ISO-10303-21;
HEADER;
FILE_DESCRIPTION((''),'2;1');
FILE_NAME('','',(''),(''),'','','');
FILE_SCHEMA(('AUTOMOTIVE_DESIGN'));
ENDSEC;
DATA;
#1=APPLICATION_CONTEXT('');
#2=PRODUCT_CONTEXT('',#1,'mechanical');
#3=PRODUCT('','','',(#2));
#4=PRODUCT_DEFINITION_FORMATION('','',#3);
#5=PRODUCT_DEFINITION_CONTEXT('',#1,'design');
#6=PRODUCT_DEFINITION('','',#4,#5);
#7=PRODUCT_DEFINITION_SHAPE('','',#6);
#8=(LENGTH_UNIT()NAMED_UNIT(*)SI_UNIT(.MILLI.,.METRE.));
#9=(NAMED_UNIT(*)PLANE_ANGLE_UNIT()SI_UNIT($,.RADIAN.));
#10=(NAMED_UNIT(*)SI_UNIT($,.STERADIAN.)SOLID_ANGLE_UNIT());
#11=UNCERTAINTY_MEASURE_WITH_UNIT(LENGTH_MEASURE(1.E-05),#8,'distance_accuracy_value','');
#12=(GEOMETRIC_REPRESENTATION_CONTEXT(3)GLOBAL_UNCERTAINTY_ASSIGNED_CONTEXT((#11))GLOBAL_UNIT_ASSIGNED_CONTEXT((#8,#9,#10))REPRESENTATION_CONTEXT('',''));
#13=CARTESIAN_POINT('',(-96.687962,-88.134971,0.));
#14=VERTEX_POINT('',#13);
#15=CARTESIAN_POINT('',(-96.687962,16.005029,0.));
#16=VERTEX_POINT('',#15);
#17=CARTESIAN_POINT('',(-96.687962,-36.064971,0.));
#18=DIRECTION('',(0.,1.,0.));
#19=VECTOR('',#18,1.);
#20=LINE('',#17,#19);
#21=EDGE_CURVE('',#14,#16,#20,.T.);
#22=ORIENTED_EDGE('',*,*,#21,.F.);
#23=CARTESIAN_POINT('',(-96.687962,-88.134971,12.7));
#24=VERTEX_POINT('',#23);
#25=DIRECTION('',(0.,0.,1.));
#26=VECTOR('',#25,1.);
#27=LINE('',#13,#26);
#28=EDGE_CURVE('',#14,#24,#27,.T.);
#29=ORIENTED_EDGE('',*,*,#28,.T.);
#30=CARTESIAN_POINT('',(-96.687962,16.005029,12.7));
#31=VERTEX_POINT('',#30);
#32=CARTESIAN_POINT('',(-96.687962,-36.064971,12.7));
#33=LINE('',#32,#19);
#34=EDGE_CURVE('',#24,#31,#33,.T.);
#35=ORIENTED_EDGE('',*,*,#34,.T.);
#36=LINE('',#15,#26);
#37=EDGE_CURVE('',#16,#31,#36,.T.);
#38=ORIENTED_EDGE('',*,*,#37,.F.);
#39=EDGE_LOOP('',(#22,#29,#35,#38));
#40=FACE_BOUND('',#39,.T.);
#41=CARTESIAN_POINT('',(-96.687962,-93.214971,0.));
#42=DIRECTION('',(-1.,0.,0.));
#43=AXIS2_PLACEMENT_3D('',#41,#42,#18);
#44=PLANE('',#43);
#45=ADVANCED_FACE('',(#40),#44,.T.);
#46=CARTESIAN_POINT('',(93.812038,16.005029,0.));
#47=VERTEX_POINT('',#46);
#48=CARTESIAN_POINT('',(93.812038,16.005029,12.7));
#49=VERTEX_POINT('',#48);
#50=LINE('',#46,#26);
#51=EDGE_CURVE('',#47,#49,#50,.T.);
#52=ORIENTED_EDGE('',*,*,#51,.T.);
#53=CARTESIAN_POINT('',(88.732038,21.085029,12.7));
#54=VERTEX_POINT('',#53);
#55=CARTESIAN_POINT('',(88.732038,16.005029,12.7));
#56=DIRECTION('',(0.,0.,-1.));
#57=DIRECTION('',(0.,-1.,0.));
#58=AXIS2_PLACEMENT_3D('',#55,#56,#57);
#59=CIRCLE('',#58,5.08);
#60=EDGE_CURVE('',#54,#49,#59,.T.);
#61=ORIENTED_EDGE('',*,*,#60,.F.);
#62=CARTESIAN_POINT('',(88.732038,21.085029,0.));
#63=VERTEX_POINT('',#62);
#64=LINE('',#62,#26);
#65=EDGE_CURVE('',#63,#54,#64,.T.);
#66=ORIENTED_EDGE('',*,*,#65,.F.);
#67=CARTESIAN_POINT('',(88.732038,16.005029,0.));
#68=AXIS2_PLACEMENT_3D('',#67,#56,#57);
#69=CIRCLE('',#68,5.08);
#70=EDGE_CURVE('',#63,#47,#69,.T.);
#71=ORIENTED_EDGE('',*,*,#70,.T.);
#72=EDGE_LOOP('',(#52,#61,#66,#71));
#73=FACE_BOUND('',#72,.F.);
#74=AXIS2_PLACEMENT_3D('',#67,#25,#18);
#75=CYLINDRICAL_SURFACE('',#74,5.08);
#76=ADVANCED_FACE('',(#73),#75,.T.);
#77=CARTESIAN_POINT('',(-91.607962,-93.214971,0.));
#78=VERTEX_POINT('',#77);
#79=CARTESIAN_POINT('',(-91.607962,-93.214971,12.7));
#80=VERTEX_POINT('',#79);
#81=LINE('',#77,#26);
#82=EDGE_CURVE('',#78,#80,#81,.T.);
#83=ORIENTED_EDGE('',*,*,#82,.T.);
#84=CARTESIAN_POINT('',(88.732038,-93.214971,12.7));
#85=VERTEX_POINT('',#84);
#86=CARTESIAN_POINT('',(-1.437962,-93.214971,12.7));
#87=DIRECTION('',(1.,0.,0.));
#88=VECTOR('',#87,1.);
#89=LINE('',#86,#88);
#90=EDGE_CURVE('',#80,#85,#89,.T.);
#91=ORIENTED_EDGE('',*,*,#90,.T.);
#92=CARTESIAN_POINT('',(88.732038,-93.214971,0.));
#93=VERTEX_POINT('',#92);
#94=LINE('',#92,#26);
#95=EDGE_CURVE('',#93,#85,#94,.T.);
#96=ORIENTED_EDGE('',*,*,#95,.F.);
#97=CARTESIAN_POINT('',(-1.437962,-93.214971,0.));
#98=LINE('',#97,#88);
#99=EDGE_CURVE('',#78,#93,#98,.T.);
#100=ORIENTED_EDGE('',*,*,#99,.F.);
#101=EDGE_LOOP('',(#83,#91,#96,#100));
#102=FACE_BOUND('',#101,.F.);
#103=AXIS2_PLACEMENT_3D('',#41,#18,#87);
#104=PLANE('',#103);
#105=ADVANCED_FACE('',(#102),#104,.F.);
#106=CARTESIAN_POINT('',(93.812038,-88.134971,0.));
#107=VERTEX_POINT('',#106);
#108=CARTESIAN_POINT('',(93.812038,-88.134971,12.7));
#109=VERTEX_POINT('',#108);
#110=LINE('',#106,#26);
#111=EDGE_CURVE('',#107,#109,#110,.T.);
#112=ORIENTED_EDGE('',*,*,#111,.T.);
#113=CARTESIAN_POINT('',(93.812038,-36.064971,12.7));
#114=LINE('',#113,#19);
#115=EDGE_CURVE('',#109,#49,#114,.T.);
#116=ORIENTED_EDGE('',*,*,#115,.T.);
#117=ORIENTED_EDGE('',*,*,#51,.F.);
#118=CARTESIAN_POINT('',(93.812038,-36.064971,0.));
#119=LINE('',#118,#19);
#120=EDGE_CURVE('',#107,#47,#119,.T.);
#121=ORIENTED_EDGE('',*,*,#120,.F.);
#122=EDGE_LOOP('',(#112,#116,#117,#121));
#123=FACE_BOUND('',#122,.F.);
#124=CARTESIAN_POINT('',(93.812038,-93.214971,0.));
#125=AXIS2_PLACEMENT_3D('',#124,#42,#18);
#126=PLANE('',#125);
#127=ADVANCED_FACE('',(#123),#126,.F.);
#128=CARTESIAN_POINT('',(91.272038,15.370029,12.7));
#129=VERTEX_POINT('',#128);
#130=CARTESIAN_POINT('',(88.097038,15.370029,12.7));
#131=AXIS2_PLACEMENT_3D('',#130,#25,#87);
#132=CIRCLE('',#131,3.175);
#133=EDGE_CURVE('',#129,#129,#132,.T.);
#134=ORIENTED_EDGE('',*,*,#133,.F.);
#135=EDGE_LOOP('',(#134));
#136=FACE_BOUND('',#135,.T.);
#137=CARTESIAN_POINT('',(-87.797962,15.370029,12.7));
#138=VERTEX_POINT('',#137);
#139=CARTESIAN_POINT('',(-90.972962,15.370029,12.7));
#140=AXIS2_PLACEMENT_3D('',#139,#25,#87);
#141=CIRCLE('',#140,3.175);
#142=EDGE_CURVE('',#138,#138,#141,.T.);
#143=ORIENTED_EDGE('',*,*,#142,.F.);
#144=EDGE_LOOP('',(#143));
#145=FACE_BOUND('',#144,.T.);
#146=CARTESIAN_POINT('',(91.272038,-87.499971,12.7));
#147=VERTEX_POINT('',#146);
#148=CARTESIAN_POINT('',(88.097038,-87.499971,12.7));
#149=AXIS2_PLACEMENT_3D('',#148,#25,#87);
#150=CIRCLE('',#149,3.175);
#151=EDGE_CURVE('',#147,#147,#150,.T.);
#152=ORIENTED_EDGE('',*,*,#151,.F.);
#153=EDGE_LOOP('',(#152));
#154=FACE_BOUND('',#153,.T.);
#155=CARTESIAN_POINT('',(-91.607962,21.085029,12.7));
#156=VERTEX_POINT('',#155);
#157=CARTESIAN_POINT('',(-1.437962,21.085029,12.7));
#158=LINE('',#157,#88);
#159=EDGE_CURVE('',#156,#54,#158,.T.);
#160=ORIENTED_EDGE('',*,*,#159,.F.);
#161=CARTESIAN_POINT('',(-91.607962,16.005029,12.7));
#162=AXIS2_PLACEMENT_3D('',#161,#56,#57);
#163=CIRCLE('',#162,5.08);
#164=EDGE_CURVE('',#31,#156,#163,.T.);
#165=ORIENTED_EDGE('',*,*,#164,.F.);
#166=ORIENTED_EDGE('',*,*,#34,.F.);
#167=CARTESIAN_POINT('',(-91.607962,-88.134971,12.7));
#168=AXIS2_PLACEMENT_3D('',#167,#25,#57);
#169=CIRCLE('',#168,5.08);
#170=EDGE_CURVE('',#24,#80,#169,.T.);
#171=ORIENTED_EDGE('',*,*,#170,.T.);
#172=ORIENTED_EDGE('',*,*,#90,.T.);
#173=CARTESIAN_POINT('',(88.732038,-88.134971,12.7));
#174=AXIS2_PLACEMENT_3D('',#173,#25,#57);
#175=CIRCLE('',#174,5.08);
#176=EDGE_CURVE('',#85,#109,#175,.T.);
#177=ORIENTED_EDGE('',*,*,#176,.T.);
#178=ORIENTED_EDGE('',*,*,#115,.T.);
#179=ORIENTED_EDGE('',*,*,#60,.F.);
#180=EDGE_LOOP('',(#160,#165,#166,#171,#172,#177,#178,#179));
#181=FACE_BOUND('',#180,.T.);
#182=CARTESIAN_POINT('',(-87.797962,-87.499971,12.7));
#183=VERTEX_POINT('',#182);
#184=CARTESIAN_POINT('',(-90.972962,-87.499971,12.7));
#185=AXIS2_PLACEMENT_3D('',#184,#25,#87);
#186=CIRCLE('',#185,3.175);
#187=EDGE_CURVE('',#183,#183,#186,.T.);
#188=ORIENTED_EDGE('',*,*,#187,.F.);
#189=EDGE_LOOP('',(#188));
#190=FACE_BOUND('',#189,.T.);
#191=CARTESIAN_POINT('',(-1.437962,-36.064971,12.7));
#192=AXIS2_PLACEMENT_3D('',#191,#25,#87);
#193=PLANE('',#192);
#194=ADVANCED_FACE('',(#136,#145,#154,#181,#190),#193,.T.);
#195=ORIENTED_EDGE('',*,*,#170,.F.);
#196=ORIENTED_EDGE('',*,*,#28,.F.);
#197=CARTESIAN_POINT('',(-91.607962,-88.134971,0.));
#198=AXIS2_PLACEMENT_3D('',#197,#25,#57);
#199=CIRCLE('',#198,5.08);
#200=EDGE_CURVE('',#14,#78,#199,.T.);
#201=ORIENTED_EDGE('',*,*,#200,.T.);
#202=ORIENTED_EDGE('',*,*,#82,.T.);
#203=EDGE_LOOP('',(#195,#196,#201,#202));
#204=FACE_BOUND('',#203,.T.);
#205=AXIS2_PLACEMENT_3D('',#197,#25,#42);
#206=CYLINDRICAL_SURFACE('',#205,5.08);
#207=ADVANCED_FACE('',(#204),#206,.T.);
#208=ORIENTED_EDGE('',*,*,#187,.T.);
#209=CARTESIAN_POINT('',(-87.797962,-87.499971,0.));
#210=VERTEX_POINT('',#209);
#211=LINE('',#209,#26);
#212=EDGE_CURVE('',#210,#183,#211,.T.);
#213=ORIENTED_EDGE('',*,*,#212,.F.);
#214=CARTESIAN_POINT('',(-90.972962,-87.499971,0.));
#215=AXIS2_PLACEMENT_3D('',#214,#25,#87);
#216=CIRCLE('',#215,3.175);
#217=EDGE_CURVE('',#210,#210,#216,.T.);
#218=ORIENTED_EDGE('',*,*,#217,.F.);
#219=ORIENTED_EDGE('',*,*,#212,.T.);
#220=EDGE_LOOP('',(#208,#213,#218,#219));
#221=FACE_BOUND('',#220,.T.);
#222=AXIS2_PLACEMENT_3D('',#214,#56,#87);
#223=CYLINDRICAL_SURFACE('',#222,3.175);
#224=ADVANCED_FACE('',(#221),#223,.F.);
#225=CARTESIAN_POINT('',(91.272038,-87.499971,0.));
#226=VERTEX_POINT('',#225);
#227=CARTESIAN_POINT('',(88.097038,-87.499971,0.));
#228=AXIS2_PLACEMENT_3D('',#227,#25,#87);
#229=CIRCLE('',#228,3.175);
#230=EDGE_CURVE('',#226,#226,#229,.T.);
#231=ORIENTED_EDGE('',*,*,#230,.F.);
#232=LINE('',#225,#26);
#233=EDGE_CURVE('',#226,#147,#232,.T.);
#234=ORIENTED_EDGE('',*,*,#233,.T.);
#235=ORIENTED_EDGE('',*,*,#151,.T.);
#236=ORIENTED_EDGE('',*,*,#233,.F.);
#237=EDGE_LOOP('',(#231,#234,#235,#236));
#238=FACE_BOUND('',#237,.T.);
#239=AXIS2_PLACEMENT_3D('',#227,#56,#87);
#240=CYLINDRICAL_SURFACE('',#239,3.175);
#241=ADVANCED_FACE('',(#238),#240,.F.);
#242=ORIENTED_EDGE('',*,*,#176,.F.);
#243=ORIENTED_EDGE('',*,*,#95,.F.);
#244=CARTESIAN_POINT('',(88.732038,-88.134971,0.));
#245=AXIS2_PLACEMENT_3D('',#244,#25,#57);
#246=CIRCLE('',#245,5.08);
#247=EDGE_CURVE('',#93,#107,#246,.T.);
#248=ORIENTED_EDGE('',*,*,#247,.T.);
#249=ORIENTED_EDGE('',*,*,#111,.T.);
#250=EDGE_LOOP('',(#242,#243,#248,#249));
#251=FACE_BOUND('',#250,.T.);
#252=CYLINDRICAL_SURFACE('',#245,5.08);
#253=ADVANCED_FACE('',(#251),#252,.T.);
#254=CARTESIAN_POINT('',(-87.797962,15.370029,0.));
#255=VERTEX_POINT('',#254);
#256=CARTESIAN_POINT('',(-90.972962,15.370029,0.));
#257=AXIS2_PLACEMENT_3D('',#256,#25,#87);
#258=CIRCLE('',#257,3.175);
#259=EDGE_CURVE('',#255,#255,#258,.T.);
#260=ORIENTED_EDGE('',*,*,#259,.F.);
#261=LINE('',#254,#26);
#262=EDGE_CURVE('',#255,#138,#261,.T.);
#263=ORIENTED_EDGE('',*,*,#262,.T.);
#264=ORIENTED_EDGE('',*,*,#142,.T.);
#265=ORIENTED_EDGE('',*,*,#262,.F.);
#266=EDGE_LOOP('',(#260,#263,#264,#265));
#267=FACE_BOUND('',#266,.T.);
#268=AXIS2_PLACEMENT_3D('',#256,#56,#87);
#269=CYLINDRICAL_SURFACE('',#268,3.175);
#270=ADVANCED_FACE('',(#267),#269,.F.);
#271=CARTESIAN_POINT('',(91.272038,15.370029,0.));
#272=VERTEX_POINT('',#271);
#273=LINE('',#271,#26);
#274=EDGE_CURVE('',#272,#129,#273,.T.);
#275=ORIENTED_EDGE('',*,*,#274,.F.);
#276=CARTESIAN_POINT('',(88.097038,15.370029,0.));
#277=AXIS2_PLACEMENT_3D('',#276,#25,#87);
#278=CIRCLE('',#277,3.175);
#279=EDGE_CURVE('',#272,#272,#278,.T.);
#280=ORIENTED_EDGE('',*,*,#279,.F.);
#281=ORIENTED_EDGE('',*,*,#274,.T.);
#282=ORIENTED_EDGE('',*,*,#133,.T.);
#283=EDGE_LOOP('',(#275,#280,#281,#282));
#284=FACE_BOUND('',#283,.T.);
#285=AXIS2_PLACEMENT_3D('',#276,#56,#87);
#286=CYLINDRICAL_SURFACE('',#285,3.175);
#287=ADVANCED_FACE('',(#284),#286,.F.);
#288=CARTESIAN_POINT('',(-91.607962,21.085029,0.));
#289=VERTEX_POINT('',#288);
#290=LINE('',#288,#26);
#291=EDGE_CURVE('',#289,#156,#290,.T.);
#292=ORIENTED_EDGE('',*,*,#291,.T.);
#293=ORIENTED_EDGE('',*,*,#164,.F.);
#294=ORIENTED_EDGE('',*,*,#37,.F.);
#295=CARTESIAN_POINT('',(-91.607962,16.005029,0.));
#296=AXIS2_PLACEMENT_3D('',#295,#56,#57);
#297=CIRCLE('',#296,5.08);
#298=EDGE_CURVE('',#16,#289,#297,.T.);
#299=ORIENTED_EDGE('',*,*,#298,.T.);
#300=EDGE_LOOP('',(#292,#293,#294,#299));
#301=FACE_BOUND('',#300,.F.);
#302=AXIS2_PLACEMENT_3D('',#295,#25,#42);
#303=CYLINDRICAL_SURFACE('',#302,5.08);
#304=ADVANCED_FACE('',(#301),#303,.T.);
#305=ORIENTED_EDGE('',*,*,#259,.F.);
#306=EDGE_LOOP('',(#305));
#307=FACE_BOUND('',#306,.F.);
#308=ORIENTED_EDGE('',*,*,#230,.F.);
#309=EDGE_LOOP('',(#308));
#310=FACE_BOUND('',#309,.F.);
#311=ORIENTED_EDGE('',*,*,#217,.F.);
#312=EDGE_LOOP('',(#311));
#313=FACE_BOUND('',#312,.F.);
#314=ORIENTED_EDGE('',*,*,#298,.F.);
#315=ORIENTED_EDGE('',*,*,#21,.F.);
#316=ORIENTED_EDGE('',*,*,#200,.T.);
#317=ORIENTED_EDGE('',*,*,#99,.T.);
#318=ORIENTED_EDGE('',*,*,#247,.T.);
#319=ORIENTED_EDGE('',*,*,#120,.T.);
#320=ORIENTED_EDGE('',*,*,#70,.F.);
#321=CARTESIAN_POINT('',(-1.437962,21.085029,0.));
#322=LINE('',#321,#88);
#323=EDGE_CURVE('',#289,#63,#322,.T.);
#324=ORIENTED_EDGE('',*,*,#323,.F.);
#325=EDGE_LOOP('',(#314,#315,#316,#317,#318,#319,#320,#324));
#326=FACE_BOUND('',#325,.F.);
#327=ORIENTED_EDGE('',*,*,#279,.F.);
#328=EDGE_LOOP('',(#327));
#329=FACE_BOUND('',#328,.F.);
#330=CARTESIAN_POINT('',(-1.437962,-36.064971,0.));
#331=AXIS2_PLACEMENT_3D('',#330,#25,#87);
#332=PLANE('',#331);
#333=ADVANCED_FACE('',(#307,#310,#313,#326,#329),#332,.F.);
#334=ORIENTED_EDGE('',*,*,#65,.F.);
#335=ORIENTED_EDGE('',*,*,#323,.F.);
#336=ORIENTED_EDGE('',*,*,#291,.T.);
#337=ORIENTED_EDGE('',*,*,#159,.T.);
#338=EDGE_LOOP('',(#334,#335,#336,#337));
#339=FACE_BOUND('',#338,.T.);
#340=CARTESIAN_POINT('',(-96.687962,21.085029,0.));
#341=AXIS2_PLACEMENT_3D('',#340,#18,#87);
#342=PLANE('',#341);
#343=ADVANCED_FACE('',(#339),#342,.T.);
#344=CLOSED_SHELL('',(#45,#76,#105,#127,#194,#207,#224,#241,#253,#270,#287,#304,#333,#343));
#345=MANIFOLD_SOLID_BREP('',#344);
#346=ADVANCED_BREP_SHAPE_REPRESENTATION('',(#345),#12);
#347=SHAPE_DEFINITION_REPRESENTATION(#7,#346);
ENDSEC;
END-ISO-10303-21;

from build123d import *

# Parameters (mm, degrees)
F0_W     = 190.5
F0_H     = 114.3
F0_R     = 3.175
F1_DEPTH = 12.7
F2_R     = 5.08


with BuildPart() as f1:
    # F0 (on Top) → F1 (new body)
    with BuildSketch(Plane.XY):
        with Locations((-1.437962, -36.064971)):
            Rectangle(F0_W, F0_H)
        with Locations((-90.972962, -87.499971)):
            Circle(F0_R, mode=Mode.SUBTRACT)
        with Locations((88.097038, -87.499971)):
            Circle(F0_R, mode=Mode.SUBTRACT)
        with Locations((-90.972962, 15.370029)):
            Circle(F0_R, mode=Mode.SUBTRACT)
        with Locations((88.097038, 15.370029)):
            Circle(F0_R, mode=Mode.SUBTRACT)
    extrude(amount=F1_DEPTH)

    # F2
    f2_edges = [f1.edges().sort_by_distance(p)[0] for p in [
        (93.812038, -93.214971, 6.35),
        (93.812038, 21.085029, 6.35),
        (-96.687962, 21.085029, 6.35),
        (-96.687962, -93.214971, 6.35),
    ]]
    fillet(f2_edges, radius=F2_R)


solid = f1.part
